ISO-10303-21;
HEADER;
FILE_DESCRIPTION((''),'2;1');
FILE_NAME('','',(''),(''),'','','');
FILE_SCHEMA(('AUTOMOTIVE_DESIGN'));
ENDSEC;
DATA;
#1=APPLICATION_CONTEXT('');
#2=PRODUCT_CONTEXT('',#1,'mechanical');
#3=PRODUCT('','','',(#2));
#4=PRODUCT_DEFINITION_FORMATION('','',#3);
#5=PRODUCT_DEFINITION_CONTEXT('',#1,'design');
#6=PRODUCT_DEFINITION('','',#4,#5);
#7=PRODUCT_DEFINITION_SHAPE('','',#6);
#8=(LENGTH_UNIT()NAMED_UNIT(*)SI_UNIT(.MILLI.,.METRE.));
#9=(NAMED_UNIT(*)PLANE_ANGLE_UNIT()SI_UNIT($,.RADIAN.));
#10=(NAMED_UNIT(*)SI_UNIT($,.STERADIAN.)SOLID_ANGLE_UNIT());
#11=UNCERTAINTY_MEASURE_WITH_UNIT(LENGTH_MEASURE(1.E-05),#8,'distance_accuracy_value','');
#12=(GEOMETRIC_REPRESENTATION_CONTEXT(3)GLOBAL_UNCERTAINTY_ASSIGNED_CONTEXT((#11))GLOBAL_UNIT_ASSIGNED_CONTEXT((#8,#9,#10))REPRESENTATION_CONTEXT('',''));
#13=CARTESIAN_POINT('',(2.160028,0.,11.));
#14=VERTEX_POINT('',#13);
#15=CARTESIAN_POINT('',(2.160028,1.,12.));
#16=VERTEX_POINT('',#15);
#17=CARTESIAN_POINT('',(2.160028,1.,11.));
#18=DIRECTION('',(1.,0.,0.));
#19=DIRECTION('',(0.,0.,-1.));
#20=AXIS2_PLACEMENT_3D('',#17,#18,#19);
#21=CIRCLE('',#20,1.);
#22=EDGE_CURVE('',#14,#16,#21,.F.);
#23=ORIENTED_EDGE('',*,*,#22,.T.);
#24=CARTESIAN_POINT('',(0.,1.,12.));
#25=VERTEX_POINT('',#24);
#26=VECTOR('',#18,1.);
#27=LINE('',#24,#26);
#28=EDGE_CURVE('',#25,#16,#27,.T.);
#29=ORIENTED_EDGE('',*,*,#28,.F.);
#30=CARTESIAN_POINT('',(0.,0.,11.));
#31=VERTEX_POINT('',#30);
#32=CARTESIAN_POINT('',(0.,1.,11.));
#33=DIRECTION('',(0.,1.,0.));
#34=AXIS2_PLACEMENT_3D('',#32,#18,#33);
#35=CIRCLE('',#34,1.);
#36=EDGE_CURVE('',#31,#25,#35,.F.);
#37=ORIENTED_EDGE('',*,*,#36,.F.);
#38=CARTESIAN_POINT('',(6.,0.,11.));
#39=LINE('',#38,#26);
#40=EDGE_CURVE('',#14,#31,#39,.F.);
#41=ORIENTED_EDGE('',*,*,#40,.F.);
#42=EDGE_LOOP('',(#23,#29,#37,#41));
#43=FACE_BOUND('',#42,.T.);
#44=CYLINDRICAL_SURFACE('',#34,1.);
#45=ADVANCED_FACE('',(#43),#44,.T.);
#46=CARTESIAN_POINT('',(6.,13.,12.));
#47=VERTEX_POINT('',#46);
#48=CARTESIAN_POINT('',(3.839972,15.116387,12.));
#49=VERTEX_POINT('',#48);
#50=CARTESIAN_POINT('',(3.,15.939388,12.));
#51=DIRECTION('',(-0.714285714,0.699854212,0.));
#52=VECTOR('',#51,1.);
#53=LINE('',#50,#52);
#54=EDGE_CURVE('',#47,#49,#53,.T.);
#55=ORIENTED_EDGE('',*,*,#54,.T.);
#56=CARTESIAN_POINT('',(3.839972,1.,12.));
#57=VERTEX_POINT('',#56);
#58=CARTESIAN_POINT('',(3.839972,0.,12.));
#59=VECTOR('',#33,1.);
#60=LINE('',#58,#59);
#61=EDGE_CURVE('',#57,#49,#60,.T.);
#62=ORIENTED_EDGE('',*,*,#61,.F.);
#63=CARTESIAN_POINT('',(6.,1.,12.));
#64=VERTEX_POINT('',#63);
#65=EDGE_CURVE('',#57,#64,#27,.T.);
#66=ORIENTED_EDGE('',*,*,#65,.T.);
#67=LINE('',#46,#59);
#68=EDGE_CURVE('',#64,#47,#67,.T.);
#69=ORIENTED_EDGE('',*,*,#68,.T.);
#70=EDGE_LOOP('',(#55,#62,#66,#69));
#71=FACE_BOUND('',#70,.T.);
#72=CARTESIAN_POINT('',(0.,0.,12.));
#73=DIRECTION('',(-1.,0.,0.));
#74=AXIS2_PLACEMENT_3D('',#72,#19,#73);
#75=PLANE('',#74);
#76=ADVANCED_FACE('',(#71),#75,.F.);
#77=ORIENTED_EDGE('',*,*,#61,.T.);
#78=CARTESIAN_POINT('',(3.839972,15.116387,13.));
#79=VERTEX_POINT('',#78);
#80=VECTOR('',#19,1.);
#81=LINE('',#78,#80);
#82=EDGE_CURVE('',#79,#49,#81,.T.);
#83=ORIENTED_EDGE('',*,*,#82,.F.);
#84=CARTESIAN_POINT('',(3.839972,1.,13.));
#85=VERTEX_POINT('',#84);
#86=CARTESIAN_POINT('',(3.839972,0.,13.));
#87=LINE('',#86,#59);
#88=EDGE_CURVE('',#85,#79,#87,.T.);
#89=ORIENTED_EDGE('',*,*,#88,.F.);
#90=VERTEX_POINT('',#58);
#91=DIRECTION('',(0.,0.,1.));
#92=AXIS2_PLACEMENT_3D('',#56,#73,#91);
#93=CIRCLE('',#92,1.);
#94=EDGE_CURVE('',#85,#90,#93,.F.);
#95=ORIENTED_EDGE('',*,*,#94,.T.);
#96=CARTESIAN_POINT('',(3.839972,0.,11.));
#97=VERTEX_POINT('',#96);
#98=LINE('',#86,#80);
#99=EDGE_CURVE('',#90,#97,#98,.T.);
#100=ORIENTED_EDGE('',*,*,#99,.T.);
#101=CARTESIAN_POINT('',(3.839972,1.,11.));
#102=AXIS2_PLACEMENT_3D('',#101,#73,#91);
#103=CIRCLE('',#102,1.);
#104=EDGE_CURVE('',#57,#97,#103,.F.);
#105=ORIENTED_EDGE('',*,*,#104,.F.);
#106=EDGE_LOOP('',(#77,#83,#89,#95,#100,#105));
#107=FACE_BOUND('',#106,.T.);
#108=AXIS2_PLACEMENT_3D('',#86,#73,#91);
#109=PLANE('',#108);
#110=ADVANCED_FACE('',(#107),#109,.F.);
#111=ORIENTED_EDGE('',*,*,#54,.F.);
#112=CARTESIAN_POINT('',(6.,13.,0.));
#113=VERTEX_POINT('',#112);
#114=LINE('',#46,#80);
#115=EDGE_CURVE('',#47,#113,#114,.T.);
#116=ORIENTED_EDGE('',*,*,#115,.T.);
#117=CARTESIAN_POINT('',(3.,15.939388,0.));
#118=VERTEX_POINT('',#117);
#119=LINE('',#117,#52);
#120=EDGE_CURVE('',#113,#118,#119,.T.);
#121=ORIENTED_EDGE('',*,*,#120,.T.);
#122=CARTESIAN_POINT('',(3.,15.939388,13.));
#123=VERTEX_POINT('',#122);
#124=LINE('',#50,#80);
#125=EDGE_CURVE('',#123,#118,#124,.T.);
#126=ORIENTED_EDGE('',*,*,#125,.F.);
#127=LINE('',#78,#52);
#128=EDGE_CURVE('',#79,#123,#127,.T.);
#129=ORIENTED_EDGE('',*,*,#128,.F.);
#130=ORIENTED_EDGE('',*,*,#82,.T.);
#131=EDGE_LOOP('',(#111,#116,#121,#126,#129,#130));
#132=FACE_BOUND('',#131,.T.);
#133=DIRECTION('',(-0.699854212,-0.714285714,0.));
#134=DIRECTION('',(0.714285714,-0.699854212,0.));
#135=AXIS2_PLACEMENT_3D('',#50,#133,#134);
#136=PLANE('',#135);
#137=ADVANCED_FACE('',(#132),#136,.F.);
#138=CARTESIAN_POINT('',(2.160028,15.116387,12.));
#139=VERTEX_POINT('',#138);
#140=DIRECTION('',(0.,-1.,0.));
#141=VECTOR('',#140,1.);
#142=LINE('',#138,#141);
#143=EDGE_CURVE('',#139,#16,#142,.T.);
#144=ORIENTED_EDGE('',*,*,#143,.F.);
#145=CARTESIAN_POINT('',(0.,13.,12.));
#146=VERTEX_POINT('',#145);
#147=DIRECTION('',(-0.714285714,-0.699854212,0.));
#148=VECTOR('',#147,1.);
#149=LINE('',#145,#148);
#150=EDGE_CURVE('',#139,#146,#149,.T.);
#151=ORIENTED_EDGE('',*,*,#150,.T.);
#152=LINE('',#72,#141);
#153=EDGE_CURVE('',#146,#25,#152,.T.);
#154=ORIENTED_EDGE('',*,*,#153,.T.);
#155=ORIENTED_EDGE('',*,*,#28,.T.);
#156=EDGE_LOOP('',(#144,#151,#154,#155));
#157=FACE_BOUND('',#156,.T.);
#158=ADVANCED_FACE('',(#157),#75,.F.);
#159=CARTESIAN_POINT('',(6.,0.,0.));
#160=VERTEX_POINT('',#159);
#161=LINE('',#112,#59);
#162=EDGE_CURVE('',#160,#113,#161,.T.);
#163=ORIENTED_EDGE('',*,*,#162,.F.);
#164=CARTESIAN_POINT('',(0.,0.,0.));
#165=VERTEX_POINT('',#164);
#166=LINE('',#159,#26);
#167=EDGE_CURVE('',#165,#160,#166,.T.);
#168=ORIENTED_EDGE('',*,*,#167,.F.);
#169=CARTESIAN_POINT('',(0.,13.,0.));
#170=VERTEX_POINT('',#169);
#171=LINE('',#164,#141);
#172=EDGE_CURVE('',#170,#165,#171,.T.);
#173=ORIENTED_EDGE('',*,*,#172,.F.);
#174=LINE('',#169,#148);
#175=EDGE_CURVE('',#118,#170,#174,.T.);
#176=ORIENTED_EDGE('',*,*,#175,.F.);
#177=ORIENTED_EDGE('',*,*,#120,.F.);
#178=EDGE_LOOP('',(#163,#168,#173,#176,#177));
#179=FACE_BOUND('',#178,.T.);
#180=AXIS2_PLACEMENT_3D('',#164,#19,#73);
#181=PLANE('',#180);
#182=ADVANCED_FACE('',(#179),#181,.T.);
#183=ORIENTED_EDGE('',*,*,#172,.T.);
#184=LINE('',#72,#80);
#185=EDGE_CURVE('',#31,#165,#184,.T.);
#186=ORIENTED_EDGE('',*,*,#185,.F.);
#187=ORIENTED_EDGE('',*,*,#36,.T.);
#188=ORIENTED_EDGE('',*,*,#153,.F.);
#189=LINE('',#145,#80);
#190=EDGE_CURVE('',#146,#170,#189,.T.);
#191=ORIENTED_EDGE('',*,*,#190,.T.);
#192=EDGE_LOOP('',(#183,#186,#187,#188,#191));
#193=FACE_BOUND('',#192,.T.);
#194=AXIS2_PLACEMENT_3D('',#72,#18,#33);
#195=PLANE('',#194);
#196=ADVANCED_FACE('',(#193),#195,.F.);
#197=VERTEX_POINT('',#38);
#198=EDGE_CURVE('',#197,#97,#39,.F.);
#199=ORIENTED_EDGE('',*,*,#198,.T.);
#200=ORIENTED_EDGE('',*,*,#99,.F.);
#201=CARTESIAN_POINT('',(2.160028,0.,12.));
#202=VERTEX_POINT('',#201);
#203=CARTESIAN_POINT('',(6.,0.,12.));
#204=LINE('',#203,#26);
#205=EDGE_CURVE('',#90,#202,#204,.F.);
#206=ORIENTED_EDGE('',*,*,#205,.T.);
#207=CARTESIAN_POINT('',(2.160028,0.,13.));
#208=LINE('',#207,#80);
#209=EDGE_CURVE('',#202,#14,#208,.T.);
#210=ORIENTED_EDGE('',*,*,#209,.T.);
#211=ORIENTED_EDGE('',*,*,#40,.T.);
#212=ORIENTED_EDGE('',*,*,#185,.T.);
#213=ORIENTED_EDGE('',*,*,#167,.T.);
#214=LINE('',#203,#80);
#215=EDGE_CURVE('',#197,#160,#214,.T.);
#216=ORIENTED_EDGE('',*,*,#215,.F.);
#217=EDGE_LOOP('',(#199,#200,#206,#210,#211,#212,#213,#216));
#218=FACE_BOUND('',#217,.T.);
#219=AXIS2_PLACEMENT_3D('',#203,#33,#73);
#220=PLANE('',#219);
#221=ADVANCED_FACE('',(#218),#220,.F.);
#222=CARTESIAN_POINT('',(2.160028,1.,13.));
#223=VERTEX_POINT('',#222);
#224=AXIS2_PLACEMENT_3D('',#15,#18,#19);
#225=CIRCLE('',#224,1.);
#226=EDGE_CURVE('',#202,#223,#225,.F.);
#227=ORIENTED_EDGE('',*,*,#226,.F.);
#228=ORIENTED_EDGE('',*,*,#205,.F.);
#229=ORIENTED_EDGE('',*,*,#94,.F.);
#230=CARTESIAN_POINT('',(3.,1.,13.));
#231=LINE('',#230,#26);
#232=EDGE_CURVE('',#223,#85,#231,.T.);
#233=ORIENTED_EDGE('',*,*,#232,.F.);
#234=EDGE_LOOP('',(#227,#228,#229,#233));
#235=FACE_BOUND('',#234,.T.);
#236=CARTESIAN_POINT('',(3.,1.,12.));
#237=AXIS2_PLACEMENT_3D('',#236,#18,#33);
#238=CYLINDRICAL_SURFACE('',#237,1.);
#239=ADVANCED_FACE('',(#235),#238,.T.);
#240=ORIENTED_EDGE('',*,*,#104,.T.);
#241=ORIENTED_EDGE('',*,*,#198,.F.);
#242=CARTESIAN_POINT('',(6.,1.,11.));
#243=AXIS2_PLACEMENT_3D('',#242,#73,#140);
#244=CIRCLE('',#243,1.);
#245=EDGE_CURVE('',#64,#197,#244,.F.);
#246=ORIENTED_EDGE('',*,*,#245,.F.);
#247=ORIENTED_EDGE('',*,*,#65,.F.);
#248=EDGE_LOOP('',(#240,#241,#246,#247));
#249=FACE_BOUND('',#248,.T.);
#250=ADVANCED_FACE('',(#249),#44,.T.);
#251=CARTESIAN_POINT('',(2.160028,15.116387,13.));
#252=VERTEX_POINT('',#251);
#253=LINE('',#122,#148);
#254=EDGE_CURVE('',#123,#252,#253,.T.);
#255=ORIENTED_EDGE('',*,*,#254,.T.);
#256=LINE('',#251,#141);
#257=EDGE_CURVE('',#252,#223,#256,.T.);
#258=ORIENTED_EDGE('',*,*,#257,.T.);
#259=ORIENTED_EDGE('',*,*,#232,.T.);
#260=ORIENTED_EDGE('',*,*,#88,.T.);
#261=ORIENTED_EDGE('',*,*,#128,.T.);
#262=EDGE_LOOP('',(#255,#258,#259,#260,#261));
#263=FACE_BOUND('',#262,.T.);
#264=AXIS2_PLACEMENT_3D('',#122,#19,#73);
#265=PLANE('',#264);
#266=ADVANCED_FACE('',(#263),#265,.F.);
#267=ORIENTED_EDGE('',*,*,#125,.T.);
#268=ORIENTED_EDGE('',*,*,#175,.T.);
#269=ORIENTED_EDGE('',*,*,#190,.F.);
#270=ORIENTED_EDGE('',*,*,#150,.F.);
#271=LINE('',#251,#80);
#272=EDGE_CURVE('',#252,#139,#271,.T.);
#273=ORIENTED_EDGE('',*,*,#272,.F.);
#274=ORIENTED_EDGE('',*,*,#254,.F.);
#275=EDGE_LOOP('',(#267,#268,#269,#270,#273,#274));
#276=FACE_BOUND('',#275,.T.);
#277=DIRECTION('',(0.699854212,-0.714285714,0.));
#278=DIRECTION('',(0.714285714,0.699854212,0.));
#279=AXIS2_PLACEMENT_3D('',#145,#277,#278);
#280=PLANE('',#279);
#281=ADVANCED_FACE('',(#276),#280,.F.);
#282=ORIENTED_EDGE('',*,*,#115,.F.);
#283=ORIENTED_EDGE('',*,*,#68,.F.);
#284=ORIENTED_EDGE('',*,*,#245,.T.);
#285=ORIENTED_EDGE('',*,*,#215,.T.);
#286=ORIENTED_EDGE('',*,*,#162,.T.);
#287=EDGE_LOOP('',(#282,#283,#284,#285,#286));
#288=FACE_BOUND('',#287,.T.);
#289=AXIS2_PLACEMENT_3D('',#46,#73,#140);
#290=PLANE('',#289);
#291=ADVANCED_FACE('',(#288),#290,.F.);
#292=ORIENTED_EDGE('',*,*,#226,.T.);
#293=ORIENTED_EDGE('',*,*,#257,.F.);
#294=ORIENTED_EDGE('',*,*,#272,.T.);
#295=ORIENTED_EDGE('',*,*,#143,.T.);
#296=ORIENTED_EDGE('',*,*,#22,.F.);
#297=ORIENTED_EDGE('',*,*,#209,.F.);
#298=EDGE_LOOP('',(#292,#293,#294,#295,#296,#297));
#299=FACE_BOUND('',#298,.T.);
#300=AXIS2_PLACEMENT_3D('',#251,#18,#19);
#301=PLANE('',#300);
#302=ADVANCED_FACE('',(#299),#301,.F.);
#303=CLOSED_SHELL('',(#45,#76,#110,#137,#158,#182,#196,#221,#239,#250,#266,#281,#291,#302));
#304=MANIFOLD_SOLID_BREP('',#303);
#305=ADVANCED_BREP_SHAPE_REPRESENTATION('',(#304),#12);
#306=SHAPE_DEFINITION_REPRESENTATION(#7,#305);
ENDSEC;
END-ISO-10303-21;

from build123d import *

# Parameters (mm, degrees)
EXTRUSION1_DEPTH = 12
EXTRUSION2_DEPTH = 1
CONG_3_R         = 1
CONG_4_R         = 1
CONG_5_R         = 1


with BuildPart() as part:
    # Esquisse1 → Extrusion1 (new body)
    with BuildSketch(Plane.XY):
        Polygon((0, 0), (0, 13), (3, 15.939387691), (6, 13), (6, 0), align=None)
    extrude(amount=EXTRUSION1_DEPTH)

    # Esquisse3 → Extrusion2 (add)
    with BuildSketch(Plane.XY.offset(12)):
        Polygon((2.160028245, 15.116386813), (2.160028245, 0), (3.839971755, 0), (3.839971755, 15.116386813), (3, 15.939387691), align=None)
    extrude(amount=EXTRUSION2_DEPTH)

    # Congé3
    cong_3_edges = [part.edges().sort_by_distance(p)[0] for p in [
        (1.080014123, 0, 12),
    ]]
    fillet(cong_3_edges, radius=CONG_3_R)

    # Congé4
    cong_4_edges = [part.edges().sort_by_distance(p)[0] for p in [
        (4.919985877, 0, 12),
    ]]
    fillet(cong_4_edges, radius=CONG_4_R)

    # Congé5
    cong_5_edges = [part.edges().sort_by_distance(p)[0] for p in [
        (3, 0, 13),
    ]]
    fillet(cong_5_edges, radius=CONG_5_R)


solid = part.part
